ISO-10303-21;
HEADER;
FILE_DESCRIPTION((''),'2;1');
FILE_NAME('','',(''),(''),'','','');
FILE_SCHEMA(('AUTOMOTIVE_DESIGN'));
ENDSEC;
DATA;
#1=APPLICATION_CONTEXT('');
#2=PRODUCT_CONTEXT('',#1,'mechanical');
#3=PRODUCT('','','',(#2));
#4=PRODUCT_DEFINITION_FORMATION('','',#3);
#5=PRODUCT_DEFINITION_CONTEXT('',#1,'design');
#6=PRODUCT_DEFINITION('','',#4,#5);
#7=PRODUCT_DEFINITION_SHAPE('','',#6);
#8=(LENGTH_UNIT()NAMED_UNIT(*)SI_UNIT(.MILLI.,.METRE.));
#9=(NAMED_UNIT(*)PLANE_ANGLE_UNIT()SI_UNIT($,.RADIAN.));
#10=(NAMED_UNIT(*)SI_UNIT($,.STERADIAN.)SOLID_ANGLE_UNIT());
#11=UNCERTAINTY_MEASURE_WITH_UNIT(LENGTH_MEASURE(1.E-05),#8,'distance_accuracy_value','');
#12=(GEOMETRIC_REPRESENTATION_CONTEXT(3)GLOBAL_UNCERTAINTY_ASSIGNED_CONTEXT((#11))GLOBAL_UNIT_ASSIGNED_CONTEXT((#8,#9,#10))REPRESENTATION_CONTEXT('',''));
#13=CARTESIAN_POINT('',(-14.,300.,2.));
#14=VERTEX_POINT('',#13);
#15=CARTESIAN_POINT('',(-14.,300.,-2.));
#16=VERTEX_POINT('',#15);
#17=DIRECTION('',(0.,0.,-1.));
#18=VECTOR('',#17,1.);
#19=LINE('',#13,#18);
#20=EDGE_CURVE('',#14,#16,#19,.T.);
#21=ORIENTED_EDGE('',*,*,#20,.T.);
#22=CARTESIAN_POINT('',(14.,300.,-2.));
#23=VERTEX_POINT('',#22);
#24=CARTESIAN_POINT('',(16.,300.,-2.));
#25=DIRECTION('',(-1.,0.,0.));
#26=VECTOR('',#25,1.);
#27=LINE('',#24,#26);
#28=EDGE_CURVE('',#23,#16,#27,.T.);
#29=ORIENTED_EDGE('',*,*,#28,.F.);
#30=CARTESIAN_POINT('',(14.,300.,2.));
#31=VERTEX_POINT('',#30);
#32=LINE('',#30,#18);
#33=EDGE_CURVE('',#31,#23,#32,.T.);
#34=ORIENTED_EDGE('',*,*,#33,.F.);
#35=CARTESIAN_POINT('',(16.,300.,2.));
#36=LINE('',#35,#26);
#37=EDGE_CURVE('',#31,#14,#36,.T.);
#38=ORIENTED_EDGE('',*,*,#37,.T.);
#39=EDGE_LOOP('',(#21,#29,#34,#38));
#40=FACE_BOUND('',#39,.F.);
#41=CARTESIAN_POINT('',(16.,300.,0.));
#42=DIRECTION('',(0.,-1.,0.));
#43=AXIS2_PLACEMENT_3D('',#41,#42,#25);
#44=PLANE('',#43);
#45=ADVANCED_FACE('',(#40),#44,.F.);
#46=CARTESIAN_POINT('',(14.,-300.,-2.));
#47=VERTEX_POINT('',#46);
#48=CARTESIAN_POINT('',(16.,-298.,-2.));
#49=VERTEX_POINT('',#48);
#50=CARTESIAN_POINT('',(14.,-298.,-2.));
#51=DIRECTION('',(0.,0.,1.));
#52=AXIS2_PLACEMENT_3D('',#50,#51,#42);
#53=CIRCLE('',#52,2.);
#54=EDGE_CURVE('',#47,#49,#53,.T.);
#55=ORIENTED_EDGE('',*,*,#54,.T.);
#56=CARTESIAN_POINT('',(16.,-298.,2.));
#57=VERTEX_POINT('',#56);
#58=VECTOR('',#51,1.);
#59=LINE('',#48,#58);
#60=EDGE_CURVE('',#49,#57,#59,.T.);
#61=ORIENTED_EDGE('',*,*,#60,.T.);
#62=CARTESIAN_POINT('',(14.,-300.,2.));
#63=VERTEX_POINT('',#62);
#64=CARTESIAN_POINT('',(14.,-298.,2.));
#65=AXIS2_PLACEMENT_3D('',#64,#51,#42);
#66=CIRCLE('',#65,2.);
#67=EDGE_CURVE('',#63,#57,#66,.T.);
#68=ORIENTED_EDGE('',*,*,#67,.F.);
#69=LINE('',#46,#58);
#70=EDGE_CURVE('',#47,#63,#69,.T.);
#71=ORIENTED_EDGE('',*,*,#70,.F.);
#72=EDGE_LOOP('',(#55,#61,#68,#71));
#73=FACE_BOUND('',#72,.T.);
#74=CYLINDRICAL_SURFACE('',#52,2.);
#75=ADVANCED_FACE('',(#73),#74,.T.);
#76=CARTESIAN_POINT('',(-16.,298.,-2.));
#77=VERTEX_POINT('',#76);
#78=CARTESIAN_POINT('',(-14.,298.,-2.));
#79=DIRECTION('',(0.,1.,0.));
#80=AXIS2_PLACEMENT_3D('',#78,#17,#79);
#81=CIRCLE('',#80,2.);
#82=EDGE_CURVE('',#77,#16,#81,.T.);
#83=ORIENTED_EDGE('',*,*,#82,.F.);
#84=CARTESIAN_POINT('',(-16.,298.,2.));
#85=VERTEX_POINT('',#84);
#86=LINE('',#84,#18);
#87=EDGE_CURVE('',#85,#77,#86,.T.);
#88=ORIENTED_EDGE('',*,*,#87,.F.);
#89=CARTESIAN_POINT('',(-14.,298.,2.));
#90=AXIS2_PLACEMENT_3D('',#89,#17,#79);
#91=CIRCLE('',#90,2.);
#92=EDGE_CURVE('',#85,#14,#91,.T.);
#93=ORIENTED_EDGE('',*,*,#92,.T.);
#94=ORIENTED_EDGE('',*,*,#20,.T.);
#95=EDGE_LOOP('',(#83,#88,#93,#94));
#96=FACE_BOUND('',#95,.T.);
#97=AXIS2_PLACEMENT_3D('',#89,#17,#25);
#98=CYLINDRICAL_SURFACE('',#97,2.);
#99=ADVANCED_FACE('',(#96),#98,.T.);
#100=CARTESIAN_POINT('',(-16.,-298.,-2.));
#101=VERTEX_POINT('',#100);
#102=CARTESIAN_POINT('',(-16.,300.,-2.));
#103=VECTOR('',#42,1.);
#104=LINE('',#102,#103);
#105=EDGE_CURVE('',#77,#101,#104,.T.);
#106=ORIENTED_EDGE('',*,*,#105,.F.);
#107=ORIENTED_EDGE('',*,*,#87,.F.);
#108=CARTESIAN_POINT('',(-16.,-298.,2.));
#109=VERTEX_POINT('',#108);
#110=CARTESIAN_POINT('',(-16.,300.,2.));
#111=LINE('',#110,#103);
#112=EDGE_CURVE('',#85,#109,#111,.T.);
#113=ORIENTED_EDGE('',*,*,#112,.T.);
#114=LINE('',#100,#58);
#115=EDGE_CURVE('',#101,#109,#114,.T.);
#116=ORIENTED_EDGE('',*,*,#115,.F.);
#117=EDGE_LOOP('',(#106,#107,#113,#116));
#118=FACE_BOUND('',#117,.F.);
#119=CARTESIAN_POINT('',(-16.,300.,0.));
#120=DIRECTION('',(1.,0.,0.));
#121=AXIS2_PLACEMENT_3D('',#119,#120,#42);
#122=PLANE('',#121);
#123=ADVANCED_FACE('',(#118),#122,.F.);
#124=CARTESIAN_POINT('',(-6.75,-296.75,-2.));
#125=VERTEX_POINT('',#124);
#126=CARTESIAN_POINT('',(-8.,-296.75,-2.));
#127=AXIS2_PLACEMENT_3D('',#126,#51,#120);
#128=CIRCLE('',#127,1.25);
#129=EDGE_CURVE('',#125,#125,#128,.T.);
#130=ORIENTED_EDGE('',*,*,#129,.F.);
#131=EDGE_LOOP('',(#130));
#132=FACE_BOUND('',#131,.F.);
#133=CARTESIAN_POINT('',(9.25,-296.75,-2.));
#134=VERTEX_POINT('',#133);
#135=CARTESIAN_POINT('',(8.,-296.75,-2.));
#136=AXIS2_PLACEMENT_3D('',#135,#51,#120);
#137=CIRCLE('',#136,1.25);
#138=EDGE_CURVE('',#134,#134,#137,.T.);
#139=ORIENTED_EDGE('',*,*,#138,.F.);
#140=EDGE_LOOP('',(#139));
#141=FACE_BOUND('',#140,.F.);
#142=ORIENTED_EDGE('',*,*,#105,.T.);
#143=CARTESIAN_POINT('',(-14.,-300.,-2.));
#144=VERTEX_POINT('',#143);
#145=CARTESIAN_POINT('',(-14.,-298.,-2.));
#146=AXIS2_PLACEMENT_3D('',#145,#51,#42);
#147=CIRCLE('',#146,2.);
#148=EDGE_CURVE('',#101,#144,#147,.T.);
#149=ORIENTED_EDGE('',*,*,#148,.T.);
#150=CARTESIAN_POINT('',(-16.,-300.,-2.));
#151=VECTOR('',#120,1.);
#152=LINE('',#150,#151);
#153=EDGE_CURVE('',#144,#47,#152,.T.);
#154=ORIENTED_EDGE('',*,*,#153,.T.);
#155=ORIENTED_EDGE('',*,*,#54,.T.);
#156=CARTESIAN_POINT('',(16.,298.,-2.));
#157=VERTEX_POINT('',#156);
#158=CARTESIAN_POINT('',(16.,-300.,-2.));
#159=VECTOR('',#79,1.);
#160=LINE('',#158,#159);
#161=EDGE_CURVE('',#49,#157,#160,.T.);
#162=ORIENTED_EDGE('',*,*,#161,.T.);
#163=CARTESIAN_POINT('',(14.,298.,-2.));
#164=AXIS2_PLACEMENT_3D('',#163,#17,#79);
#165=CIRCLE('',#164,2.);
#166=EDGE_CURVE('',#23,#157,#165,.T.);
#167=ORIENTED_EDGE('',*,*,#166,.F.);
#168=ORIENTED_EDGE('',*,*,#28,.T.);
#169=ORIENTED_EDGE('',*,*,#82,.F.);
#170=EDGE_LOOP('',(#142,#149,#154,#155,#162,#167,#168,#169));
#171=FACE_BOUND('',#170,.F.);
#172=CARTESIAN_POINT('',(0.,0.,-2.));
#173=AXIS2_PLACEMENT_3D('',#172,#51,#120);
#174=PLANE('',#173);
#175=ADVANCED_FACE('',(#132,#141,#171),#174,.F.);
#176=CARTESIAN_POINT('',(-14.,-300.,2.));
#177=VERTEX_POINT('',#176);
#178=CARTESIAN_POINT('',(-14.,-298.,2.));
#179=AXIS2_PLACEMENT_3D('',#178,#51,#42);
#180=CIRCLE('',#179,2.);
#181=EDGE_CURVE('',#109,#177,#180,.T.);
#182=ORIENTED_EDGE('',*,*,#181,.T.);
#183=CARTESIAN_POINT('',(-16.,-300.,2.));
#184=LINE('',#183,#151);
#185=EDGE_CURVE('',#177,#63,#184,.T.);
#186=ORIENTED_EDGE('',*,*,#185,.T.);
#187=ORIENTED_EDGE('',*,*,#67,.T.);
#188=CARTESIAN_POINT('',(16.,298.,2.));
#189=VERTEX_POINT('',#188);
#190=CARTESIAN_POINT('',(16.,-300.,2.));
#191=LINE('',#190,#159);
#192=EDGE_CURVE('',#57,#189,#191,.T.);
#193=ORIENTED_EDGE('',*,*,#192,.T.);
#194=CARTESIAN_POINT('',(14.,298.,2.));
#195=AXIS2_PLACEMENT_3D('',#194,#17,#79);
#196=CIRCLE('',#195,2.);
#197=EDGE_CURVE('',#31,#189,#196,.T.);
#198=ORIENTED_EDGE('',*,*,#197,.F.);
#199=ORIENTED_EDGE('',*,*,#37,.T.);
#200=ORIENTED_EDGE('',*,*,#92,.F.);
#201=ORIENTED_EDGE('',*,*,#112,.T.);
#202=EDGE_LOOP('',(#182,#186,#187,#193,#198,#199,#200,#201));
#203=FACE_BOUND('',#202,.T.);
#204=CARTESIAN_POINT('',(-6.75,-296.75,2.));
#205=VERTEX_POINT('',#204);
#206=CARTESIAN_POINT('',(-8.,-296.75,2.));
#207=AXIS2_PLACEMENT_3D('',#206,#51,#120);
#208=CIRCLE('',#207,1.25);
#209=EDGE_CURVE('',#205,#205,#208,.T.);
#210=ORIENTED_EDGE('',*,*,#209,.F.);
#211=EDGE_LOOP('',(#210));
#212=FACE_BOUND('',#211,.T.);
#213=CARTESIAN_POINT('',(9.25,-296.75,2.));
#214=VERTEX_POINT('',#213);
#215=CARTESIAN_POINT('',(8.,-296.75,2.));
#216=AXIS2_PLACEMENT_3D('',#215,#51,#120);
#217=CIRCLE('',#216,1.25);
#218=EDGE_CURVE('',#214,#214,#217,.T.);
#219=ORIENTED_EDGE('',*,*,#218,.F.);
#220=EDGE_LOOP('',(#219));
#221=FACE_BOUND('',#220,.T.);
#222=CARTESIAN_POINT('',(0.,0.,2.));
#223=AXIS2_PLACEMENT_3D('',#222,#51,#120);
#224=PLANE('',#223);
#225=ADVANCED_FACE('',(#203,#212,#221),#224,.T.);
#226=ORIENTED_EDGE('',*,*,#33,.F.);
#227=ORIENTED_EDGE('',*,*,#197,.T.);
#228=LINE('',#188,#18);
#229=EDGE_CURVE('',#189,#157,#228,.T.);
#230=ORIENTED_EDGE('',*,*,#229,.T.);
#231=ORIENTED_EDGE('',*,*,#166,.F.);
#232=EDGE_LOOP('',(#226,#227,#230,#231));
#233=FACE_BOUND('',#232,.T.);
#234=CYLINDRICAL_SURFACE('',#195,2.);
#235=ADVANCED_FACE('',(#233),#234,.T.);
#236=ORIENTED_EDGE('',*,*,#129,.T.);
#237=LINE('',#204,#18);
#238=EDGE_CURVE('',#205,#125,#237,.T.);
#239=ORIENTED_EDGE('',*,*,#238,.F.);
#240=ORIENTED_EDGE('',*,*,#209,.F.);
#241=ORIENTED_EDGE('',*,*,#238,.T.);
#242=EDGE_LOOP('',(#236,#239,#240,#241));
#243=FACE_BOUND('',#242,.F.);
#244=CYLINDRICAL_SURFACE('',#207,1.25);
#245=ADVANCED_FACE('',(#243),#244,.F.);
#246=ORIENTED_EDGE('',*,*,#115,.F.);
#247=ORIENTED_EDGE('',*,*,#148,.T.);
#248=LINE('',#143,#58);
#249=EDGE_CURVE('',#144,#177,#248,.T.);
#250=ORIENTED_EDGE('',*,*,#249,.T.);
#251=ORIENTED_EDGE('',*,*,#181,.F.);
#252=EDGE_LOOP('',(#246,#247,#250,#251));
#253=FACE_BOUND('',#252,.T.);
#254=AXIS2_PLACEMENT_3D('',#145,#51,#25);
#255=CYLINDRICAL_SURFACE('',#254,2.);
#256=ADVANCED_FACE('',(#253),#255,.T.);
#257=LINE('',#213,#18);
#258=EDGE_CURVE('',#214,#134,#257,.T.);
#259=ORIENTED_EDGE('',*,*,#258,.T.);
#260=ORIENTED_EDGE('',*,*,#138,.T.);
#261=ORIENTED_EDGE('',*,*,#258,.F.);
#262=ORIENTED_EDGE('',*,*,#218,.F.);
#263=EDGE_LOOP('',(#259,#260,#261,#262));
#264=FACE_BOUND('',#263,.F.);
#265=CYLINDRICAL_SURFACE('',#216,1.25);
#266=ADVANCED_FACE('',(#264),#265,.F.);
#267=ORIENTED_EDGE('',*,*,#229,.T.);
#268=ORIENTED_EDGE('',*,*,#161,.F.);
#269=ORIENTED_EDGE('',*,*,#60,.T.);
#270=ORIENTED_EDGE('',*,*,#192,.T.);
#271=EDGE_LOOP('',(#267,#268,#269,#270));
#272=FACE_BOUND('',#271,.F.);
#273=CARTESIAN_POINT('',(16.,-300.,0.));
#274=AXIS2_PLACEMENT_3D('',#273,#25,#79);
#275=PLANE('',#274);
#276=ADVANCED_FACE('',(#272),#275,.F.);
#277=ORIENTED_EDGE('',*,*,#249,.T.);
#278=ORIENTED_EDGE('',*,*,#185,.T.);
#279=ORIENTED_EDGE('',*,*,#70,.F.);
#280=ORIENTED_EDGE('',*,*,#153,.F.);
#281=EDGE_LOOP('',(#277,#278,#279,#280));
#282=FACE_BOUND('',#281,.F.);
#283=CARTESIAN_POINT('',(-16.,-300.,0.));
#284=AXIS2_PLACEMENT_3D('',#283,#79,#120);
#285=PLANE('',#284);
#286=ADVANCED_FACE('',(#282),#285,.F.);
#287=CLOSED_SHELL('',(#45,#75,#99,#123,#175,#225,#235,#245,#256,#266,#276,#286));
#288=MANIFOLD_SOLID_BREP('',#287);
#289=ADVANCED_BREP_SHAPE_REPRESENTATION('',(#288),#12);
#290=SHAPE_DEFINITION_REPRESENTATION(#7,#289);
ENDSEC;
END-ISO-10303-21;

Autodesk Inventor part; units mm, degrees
ref_plane "YZ Plane" through (0, 0, 0) normal (1, 0, 0) x (0, 1, 0)
ref_plane "XZ Plane" through (0, 0, 0) normal (0, 1, 0) x (-1, 0, 0)
sketch "Эскиз1" plane through (0, 0, 0) normal (0, 0, 1) x (1, 0, 0)
  line L0 (-16, -300) -> (16, -300)
  line L1 (16, -300) -> (16, 300)
  line L2 (16, 300) -> (-16, 300)
  line L3 (-16, 300) -> (-16, -300)
  line L4 (-16, -300) -> (16, 300) construction
  line L5 (16, -300) -> (-16, 300) construction
  point P0 (0, 0)
  dimension "d0" = 600
  dimension "d1" = 32
extrude "Выдавливание1" add sketch "Эскиз1" along normal mid plane 4
fillet "Сопряжение1" radius 2 4 edges at (-16, -300, 0) (16, -300, 0) (16, 300, 0) (-16, 300, 0)
sketch "Эскиз3" plane through (0, 0, 2) normal (0, 0, 1) x (1, 0, 0)
  circle A0 centre (-8, -296.75) radius 1.25 projected
  circle A1 centre (8, -296.75) radius 1.25 projected
  point P0 (0, 0)
ref_plane "РабПлоскость1" through (-309.8315, -315.671, -2) normal (0, 0, 1) x (1, 0, 0)
extrude "Выдавливание3" cut sketch "Эскиз3" against normal up to surface (4 mm away)
properties part number "Фанерка хвоста"
